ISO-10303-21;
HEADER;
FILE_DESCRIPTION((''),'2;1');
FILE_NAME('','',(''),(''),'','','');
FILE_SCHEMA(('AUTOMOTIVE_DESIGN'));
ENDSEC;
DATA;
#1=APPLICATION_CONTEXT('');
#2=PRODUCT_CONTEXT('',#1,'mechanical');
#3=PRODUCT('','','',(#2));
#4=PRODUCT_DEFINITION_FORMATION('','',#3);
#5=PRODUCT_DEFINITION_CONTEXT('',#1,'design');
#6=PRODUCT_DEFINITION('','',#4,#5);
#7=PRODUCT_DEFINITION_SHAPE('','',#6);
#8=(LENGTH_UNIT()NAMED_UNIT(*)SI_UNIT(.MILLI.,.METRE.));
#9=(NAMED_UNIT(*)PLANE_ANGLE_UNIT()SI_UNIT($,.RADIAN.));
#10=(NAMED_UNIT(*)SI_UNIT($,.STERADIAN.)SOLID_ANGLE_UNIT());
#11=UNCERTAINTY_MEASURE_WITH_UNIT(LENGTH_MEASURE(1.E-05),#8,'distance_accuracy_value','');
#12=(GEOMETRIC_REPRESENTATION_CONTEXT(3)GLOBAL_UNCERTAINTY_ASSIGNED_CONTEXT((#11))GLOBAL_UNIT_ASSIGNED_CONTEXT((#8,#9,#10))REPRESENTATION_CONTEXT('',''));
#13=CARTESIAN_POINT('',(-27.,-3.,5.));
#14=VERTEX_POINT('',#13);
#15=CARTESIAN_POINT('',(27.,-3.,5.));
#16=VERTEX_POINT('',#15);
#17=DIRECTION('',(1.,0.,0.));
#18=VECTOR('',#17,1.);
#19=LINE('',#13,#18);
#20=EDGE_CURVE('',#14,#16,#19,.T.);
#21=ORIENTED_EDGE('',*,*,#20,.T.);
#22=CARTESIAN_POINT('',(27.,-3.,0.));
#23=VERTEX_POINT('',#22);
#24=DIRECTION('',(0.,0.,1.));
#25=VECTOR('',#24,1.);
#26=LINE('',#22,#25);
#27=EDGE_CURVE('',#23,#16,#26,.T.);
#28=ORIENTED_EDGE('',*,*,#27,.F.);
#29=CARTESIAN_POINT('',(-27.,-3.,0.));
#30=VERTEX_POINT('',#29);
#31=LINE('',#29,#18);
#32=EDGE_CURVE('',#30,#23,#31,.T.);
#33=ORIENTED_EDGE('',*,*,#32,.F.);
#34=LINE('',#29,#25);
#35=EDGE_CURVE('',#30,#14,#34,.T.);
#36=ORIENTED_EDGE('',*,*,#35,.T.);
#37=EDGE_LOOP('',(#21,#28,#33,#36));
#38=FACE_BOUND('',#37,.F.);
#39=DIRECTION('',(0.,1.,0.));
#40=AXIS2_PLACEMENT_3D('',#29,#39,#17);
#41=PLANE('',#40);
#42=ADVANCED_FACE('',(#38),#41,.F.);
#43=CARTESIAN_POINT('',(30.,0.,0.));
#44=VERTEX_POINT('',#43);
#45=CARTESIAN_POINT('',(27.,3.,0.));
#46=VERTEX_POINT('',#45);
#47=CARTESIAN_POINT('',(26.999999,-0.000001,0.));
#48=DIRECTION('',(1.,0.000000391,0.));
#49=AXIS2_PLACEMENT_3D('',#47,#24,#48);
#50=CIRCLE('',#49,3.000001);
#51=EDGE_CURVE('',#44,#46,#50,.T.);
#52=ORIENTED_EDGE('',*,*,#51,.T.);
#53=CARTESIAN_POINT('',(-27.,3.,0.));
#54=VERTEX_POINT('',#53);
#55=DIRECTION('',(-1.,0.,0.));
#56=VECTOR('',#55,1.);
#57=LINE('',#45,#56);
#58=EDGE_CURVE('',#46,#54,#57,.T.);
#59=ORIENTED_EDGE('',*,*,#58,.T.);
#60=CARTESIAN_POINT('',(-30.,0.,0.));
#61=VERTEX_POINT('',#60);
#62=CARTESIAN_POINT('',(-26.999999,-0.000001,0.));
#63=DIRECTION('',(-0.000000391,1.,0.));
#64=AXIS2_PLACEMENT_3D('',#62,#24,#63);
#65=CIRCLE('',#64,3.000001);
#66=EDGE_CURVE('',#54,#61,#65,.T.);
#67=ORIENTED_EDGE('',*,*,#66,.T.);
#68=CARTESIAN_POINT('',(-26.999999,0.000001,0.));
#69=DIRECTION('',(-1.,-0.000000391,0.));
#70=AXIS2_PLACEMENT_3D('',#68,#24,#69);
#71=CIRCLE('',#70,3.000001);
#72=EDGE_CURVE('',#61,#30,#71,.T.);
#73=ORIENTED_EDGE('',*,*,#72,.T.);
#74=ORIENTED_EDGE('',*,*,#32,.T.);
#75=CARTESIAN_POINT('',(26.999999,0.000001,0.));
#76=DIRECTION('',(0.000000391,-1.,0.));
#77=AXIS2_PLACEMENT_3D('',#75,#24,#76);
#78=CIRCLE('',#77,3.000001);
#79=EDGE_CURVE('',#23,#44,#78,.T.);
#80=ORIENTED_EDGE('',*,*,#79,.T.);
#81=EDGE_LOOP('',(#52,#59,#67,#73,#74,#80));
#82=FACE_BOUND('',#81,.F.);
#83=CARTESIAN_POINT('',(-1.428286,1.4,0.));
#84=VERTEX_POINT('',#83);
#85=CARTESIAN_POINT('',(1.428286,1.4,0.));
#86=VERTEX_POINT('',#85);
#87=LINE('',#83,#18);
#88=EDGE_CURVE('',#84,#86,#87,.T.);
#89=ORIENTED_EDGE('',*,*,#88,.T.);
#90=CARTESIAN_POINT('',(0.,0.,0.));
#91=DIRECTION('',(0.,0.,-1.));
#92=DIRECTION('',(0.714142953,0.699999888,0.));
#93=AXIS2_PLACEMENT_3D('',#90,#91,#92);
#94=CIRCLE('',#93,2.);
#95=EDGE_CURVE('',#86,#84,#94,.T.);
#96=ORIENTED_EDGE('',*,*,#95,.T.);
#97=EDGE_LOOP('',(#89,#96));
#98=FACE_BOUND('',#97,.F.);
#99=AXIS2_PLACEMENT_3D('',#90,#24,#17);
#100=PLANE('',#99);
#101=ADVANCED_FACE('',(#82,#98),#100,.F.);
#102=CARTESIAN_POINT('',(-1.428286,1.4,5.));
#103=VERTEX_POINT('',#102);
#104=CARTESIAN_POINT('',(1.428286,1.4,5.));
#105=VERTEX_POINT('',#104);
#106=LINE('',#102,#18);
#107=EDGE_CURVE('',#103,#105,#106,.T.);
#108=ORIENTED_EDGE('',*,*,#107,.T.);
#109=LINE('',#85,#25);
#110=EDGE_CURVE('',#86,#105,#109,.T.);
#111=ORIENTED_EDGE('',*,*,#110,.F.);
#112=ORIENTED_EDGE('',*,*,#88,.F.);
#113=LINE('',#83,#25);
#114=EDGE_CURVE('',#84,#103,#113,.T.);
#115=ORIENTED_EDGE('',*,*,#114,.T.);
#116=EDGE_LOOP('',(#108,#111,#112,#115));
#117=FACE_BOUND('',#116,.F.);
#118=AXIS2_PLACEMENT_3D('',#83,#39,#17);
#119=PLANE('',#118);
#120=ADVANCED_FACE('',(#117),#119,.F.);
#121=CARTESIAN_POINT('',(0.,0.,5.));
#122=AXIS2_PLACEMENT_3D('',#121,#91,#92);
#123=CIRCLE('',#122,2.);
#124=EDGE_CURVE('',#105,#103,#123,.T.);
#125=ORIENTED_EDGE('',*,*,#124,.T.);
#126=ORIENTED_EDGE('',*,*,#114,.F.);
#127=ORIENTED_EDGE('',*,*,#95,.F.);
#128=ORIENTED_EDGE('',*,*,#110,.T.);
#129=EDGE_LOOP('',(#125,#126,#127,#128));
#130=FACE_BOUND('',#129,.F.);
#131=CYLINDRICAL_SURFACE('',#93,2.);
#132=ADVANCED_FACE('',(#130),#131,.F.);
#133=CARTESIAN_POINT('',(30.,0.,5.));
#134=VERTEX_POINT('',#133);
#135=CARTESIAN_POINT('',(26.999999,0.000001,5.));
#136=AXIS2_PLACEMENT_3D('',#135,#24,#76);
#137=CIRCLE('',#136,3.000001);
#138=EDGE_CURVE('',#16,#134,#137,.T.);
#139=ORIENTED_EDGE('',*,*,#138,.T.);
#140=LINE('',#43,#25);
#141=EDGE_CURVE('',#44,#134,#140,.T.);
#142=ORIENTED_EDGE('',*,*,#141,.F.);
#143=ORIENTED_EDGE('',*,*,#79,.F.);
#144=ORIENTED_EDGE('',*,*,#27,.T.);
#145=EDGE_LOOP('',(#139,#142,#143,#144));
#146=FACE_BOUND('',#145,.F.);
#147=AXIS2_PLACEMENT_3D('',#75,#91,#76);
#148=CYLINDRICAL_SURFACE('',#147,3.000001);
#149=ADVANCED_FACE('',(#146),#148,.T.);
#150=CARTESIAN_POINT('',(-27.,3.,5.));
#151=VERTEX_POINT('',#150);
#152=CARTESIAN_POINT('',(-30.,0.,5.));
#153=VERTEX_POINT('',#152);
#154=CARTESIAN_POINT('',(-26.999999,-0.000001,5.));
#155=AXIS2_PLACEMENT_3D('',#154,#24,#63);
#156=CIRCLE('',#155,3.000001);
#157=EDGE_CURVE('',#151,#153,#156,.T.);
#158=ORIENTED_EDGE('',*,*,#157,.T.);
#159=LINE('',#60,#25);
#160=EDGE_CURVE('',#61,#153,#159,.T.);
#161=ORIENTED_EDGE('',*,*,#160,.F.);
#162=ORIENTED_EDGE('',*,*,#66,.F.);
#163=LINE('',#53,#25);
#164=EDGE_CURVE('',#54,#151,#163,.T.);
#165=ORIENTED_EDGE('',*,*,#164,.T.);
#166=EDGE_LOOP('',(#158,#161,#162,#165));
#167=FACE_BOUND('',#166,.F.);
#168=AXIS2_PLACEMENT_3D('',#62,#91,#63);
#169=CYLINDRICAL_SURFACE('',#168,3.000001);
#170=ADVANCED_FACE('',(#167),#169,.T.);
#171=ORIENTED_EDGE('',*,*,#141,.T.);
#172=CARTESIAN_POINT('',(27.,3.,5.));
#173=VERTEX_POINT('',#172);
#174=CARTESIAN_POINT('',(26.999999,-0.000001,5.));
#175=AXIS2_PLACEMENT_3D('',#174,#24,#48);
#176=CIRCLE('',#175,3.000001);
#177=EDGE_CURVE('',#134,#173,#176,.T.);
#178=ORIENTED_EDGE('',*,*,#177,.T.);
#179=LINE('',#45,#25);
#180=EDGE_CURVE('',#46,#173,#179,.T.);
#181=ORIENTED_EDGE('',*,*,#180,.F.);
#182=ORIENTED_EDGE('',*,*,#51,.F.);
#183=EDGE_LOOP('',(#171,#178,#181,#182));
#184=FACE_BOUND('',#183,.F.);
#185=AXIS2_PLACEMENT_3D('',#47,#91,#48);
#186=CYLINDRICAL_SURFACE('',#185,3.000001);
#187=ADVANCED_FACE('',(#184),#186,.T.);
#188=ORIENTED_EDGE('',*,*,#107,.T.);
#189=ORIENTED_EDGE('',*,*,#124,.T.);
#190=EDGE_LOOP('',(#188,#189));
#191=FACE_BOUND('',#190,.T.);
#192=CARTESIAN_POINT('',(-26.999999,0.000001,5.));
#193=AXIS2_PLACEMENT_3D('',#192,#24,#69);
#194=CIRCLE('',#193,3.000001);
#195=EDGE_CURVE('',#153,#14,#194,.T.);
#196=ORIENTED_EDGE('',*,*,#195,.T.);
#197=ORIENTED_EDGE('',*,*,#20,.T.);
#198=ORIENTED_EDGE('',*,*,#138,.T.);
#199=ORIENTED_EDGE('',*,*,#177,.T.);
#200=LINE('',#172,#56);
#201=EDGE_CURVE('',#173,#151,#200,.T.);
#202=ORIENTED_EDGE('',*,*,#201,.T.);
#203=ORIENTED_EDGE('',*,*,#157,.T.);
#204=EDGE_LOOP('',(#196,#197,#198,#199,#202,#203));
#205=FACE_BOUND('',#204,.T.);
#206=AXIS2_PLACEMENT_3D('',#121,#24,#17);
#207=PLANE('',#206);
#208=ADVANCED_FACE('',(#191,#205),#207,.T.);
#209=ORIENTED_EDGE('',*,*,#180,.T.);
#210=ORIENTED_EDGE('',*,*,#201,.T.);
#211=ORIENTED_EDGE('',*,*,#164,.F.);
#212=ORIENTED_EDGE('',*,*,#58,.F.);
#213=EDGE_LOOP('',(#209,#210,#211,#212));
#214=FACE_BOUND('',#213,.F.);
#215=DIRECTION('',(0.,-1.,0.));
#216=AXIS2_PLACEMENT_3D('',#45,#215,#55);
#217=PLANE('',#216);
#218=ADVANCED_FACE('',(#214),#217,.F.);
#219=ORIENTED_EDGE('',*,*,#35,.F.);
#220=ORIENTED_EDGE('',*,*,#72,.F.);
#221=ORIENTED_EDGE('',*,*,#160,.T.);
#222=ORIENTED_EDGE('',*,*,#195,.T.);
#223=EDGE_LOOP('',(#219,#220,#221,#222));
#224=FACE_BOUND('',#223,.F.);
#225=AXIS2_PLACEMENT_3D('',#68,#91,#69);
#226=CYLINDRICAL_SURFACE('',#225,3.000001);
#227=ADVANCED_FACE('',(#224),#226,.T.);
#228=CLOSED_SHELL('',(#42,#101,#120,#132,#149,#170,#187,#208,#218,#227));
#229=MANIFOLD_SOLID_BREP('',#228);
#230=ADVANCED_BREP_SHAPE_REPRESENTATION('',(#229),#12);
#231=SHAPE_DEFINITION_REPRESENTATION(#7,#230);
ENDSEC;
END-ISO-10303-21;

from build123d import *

# Parameters (mm, degrees)
F1_DEPTH = 5


with BuildPart() as f1:
    # F0 (on Top) → F1 (new body)
    with BuildSketch(Plane.XY):
        with BuildLine():
            Line((-27, -3), (27, -3))
            ThreePointArc((27, -3), (29.12132, -2.12132), (30, 0))
            ThreePointArc((30, 0), (29.12132, 2.12132), (27, 3))
            Line((27, 3), (-27, 3))
            ThreePointArc((-27, 3), (-29.12132, 2.12132), (-30, 0))
            ThreePointArc((-30, 0), (-29.12132, -2.12132), (-27, -3))
        make_face()
        with BuildLine():
            ThreePointArc((1.428286, 1.4), (0, -2), (-1.428286, 1.4))
            Line((-1.428286, 1.4), (1.428286, 1.4))
        make_face(mode=Mode.SUBTRACT)
    extrude(amount=F1_DEPTH)


solid = f1.part
